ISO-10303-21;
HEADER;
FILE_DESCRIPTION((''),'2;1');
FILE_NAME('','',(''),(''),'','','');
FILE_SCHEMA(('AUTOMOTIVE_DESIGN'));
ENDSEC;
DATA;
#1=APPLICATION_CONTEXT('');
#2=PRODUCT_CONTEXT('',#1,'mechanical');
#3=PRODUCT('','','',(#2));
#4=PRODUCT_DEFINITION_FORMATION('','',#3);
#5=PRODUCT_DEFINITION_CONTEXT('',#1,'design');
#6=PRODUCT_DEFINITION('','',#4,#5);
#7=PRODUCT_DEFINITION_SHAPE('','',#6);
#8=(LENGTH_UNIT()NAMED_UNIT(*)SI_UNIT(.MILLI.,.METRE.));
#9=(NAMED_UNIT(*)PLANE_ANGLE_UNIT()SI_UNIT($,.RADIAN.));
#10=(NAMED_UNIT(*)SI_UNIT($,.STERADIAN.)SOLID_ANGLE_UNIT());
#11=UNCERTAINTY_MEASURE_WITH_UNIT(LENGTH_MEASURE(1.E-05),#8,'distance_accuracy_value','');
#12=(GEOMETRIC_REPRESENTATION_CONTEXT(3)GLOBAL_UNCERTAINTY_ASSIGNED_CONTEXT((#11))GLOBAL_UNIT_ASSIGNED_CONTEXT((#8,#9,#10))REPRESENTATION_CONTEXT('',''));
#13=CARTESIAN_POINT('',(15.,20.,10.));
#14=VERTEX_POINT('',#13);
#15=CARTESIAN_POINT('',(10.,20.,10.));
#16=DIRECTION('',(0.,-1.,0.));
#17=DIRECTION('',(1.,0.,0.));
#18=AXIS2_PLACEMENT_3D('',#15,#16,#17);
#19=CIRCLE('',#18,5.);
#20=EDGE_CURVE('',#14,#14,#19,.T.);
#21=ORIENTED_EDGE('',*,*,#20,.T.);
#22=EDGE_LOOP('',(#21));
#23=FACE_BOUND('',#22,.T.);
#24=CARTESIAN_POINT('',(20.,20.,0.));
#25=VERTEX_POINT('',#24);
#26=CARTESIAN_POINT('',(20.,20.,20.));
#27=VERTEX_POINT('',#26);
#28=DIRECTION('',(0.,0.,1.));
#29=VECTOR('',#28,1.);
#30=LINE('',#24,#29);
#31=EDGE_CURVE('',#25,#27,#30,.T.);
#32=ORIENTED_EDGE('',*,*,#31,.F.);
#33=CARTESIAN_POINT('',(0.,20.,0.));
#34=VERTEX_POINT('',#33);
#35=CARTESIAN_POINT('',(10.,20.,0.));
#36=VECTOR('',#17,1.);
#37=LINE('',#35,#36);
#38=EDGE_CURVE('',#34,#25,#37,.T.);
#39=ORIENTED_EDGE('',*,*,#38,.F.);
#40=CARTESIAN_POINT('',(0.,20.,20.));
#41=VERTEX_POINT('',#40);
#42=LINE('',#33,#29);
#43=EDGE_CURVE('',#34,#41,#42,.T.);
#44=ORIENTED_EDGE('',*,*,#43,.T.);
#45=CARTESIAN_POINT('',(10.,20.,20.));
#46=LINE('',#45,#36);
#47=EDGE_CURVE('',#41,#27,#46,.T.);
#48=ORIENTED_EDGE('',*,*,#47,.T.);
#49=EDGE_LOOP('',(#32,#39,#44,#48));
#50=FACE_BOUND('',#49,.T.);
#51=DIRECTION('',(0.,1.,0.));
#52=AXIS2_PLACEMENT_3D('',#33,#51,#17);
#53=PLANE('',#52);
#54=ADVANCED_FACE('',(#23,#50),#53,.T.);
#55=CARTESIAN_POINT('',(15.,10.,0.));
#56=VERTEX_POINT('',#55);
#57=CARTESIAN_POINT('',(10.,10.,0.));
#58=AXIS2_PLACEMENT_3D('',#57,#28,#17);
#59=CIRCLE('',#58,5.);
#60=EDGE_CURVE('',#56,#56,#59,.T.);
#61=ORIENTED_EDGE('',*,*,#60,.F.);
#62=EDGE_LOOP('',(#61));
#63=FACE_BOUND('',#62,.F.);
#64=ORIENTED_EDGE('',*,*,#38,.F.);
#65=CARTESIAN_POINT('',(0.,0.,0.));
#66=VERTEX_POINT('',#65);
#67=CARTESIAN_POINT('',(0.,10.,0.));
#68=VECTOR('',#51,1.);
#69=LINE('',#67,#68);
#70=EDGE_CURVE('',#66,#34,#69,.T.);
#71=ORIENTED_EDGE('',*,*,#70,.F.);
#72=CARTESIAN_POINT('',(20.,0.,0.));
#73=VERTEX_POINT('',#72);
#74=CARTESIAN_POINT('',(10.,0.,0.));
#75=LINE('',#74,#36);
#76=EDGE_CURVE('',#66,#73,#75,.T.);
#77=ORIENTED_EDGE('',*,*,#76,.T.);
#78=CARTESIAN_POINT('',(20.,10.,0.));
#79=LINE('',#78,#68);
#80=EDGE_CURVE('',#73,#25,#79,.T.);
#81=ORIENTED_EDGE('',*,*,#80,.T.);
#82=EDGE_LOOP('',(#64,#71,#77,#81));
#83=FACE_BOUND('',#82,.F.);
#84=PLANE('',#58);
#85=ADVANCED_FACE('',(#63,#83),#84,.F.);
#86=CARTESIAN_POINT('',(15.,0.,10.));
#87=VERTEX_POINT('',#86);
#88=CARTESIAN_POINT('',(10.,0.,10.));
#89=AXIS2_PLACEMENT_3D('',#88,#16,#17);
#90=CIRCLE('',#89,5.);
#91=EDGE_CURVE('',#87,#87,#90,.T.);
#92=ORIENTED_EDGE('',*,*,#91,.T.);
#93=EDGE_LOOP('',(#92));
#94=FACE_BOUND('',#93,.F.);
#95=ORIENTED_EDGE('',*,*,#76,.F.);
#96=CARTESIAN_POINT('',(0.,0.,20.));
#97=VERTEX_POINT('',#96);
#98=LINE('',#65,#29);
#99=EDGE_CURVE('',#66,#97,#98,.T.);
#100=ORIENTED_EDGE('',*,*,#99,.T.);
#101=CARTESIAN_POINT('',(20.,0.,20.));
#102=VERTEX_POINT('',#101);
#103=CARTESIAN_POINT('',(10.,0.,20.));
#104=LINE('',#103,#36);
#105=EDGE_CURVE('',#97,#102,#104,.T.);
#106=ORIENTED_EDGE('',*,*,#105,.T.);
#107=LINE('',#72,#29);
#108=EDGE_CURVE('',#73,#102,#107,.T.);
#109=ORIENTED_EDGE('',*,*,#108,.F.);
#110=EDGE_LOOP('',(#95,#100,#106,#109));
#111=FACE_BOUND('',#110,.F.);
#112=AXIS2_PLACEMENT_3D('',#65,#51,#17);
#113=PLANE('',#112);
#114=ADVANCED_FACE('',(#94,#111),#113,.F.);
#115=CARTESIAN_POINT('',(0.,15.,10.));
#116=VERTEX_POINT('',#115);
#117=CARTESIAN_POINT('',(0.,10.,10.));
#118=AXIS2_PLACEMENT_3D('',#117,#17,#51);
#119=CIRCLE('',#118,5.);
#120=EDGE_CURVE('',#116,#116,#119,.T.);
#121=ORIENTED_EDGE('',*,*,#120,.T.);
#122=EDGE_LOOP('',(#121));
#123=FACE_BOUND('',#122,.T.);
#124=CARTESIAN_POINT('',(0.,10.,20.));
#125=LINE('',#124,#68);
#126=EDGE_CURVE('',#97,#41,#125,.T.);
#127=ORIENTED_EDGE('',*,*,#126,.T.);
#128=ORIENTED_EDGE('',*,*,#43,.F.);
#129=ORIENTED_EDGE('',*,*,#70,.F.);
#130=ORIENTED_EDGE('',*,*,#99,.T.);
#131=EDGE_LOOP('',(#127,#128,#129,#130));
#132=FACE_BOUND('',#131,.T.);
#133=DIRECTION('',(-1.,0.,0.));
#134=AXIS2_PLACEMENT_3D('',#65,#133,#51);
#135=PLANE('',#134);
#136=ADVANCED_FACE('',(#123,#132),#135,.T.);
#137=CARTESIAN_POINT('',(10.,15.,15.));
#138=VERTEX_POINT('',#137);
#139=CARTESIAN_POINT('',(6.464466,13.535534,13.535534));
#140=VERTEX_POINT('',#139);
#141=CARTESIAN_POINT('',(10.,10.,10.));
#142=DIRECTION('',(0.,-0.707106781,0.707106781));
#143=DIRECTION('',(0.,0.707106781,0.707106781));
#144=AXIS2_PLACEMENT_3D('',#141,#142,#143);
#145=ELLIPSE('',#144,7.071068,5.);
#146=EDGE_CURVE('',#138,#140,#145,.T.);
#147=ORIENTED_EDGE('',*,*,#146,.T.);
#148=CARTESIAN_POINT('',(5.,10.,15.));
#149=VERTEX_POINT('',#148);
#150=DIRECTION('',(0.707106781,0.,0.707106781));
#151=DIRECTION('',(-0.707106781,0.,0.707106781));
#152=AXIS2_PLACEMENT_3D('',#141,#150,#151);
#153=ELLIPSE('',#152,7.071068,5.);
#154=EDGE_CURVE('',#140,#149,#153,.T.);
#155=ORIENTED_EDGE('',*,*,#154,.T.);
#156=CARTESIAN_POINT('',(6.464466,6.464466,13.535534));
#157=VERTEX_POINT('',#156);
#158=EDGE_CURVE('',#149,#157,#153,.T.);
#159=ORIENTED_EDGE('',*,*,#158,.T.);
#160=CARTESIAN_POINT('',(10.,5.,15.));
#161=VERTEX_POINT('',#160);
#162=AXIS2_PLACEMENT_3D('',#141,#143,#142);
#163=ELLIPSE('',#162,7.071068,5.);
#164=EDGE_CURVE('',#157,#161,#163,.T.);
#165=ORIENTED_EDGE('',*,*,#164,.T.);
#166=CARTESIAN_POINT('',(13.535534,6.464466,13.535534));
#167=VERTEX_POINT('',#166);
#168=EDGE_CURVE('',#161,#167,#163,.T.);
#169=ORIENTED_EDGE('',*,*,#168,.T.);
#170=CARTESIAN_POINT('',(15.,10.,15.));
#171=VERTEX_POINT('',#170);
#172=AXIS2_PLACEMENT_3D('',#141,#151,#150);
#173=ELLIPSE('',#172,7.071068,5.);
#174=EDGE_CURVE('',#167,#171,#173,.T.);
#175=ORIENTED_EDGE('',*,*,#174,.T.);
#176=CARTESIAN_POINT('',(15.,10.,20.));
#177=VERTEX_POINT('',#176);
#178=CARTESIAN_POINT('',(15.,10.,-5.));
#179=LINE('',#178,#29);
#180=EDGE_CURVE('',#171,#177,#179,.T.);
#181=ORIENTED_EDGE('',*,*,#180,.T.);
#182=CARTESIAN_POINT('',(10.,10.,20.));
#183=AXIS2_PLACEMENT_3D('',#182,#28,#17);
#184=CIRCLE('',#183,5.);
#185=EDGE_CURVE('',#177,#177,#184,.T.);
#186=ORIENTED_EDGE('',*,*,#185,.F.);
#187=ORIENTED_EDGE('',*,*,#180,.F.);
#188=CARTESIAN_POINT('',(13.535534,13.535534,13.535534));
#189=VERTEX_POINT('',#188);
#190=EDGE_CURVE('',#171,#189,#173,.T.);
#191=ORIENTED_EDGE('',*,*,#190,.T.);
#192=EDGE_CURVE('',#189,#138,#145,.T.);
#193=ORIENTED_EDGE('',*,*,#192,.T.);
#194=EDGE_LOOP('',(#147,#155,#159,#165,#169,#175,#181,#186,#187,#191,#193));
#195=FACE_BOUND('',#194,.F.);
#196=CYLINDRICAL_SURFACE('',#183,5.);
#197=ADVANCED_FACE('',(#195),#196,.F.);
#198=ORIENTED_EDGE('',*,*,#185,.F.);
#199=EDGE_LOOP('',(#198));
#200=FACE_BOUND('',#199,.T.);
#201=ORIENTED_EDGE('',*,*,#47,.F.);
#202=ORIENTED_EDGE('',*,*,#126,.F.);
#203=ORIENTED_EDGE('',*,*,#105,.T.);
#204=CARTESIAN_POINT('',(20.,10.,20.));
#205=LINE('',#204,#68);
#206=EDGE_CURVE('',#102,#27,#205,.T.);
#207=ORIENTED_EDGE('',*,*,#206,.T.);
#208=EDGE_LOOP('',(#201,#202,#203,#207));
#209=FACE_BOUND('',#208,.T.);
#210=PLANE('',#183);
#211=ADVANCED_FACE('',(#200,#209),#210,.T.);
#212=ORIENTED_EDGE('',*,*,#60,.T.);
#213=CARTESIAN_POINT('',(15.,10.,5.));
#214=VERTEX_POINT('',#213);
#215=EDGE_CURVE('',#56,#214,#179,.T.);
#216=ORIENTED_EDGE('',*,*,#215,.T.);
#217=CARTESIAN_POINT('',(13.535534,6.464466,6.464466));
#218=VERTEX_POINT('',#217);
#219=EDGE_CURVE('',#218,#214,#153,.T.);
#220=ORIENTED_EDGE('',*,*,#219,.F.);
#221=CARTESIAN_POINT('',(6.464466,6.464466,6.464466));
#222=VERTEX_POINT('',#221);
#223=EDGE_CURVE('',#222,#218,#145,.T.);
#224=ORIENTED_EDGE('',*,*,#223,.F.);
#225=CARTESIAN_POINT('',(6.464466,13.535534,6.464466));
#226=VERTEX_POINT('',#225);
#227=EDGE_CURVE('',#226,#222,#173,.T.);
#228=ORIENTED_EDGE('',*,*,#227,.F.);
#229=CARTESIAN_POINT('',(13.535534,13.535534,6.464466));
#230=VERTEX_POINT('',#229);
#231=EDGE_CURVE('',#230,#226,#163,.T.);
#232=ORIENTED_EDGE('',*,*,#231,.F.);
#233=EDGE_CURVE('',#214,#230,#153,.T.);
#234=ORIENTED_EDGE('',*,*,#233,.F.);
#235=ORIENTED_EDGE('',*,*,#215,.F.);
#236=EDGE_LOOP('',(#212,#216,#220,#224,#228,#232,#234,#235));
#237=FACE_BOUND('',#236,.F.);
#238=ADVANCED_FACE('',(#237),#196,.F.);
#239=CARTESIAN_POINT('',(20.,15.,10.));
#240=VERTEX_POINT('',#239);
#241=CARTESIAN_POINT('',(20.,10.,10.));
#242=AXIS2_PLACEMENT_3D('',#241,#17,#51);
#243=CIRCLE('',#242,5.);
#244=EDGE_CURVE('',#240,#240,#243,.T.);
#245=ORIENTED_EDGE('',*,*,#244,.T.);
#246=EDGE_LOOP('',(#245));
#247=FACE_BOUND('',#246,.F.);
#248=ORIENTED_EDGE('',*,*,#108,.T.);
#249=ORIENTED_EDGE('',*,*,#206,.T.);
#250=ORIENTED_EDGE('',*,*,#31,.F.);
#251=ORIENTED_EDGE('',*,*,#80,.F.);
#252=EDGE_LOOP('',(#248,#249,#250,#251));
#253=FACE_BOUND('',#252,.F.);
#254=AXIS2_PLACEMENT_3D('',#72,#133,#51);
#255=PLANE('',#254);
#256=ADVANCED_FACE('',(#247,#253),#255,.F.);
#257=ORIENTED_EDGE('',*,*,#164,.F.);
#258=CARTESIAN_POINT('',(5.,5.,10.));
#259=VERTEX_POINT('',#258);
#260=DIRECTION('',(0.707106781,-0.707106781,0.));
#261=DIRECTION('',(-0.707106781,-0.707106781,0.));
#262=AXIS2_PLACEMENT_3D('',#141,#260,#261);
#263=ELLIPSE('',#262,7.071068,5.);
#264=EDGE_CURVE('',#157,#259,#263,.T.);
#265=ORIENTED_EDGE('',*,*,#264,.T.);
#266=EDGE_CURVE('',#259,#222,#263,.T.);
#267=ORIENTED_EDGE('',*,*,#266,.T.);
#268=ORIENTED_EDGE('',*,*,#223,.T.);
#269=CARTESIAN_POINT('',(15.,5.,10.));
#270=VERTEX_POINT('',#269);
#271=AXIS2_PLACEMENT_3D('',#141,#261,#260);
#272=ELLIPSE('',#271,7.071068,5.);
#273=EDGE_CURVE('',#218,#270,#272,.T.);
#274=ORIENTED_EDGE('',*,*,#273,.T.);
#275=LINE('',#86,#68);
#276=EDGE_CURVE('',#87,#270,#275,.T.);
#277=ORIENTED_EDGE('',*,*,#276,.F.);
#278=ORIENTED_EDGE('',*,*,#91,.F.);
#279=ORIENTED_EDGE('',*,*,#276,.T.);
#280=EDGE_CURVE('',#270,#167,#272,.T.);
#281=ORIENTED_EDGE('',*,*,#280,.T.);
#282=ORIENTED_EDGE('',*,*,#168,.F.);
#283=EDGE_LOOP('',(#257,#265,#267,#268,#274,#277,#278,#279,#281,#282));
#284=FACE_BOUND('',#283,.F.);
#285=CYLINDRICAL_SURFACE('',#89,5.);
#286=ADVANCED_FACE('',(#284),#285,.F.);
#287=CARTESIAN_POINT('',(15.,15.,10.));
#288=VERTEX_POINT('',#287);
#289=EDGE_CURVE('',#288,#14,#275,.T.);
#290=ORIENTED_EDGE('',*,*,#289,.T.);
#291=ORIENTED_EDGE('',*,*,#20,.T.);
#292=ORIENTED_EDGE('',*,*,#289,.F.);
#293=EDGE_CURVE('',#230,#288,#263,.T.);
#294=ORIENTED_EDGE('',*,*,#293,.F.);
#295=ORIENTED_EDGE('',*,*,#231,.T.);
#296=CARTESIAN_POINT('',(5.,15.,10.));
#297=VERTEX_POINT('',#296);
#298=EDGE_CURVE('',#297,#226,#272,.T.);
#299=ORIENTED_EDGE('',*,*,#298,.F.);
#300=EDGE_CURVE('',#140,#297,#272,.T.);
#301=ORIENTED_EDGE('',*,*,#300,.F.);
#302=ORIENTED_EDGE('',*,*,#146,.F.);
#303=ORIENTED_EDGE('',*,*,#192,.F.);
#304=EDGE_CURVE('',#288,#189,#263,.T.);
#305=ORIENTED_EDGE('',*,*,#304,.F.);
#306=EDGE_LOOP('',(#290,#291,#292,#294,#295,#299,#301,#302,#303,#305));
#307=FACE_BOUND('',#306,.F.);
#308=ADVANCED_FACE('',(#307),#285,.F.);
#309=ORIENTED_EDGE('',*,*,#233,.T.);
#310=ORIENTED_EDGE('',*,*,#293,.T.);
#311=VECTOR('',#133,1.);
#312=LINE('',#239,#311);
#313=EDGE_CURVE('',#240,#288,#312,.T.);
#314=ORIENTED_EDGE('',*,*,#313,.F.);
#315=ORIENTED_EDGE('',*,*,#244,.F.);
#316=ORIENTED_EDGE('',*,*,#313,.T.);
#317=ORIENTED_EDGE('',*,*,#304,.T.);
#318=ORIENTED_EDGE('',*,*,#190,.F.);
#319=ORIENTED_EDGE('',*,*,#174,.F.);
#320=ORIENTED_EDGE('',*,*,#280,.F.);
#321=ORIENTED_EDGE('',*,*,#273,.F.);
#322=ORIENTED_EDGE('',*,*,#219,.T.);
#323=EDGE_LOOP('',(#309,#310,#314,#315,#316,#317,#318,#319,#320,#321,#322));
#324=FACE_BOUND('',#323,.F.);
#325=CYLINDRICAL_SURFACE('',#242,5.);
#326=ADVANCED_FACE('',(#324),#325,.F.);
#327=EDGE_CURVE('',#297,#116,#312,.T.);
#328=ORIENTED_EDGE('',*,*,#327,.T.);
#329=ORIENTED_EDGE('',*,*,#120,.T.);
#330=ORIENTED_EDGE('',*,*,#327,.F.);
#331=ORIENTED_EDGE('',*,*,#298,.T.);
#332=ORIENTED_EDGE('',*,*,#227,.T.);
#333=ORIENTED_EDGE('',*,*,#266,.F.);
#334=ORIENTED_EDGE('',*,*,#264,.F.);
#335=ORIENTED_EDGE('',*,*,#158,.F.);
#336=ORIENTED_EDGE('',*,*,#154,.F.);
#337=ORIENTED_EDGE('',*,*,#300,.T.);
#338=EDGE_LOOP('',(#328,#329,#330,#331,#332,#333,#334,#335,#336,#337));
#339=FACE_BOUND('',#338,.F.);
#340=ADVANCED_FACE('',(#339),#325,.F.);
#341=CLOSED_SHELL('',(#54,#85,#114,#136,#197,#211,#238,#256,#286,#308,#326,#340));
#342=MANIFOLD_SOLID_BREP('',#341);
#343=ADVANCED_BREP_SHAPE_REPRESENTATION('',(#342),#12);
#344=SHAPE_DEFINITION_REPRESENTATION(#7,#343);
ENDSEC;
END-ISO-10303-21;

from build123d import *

# Parameters (mm, degrees)
F0_W     = 20
F0_H     = 20
F1_DEPTH = 20
F2_R     = 5
F3_DEPTH = 25
F4_R     = 5
F5_DEPTH = 25
F6_R     = 5
F7_DEPTH = 25


with BuildPart() as f1:
    # F0 (on Top) → F1 (new body)
    with BuildSketch(Plane.XY):
        with Locations((10, 10)):
            Rectangle(F0_W, F0_H)
    extrude(amount=F1_DEPTH)

    # F2 (on face) → F3 (cut, symmetric)
    with BuildSketch(Plane.XY.offset(20)):
        with Locations((10, 10)):
            Circle(F2_R)
    extrude(amount=F3_DEPTH, both=True, mode=Mode.SUBTRACT)

    # F4 (on face) → F5 (cut)
    with BuildSketch(Plane.XZ):
        with Locations((10, 10)):
            Circle(F4_R)
    extrude(amount=-F5_DEPTH, mode=Mode.SUBTRACT)

    # F6 (on face) → F7 (cut)
    with BuildSketch(Plane.YZ.offset(20)):
        with Locations((10, 10)):
            Circle(F6_R)
    extrude(amount=-F7_DEPTH, mode=Mode.SUBTRACT)


solid = f1.part
